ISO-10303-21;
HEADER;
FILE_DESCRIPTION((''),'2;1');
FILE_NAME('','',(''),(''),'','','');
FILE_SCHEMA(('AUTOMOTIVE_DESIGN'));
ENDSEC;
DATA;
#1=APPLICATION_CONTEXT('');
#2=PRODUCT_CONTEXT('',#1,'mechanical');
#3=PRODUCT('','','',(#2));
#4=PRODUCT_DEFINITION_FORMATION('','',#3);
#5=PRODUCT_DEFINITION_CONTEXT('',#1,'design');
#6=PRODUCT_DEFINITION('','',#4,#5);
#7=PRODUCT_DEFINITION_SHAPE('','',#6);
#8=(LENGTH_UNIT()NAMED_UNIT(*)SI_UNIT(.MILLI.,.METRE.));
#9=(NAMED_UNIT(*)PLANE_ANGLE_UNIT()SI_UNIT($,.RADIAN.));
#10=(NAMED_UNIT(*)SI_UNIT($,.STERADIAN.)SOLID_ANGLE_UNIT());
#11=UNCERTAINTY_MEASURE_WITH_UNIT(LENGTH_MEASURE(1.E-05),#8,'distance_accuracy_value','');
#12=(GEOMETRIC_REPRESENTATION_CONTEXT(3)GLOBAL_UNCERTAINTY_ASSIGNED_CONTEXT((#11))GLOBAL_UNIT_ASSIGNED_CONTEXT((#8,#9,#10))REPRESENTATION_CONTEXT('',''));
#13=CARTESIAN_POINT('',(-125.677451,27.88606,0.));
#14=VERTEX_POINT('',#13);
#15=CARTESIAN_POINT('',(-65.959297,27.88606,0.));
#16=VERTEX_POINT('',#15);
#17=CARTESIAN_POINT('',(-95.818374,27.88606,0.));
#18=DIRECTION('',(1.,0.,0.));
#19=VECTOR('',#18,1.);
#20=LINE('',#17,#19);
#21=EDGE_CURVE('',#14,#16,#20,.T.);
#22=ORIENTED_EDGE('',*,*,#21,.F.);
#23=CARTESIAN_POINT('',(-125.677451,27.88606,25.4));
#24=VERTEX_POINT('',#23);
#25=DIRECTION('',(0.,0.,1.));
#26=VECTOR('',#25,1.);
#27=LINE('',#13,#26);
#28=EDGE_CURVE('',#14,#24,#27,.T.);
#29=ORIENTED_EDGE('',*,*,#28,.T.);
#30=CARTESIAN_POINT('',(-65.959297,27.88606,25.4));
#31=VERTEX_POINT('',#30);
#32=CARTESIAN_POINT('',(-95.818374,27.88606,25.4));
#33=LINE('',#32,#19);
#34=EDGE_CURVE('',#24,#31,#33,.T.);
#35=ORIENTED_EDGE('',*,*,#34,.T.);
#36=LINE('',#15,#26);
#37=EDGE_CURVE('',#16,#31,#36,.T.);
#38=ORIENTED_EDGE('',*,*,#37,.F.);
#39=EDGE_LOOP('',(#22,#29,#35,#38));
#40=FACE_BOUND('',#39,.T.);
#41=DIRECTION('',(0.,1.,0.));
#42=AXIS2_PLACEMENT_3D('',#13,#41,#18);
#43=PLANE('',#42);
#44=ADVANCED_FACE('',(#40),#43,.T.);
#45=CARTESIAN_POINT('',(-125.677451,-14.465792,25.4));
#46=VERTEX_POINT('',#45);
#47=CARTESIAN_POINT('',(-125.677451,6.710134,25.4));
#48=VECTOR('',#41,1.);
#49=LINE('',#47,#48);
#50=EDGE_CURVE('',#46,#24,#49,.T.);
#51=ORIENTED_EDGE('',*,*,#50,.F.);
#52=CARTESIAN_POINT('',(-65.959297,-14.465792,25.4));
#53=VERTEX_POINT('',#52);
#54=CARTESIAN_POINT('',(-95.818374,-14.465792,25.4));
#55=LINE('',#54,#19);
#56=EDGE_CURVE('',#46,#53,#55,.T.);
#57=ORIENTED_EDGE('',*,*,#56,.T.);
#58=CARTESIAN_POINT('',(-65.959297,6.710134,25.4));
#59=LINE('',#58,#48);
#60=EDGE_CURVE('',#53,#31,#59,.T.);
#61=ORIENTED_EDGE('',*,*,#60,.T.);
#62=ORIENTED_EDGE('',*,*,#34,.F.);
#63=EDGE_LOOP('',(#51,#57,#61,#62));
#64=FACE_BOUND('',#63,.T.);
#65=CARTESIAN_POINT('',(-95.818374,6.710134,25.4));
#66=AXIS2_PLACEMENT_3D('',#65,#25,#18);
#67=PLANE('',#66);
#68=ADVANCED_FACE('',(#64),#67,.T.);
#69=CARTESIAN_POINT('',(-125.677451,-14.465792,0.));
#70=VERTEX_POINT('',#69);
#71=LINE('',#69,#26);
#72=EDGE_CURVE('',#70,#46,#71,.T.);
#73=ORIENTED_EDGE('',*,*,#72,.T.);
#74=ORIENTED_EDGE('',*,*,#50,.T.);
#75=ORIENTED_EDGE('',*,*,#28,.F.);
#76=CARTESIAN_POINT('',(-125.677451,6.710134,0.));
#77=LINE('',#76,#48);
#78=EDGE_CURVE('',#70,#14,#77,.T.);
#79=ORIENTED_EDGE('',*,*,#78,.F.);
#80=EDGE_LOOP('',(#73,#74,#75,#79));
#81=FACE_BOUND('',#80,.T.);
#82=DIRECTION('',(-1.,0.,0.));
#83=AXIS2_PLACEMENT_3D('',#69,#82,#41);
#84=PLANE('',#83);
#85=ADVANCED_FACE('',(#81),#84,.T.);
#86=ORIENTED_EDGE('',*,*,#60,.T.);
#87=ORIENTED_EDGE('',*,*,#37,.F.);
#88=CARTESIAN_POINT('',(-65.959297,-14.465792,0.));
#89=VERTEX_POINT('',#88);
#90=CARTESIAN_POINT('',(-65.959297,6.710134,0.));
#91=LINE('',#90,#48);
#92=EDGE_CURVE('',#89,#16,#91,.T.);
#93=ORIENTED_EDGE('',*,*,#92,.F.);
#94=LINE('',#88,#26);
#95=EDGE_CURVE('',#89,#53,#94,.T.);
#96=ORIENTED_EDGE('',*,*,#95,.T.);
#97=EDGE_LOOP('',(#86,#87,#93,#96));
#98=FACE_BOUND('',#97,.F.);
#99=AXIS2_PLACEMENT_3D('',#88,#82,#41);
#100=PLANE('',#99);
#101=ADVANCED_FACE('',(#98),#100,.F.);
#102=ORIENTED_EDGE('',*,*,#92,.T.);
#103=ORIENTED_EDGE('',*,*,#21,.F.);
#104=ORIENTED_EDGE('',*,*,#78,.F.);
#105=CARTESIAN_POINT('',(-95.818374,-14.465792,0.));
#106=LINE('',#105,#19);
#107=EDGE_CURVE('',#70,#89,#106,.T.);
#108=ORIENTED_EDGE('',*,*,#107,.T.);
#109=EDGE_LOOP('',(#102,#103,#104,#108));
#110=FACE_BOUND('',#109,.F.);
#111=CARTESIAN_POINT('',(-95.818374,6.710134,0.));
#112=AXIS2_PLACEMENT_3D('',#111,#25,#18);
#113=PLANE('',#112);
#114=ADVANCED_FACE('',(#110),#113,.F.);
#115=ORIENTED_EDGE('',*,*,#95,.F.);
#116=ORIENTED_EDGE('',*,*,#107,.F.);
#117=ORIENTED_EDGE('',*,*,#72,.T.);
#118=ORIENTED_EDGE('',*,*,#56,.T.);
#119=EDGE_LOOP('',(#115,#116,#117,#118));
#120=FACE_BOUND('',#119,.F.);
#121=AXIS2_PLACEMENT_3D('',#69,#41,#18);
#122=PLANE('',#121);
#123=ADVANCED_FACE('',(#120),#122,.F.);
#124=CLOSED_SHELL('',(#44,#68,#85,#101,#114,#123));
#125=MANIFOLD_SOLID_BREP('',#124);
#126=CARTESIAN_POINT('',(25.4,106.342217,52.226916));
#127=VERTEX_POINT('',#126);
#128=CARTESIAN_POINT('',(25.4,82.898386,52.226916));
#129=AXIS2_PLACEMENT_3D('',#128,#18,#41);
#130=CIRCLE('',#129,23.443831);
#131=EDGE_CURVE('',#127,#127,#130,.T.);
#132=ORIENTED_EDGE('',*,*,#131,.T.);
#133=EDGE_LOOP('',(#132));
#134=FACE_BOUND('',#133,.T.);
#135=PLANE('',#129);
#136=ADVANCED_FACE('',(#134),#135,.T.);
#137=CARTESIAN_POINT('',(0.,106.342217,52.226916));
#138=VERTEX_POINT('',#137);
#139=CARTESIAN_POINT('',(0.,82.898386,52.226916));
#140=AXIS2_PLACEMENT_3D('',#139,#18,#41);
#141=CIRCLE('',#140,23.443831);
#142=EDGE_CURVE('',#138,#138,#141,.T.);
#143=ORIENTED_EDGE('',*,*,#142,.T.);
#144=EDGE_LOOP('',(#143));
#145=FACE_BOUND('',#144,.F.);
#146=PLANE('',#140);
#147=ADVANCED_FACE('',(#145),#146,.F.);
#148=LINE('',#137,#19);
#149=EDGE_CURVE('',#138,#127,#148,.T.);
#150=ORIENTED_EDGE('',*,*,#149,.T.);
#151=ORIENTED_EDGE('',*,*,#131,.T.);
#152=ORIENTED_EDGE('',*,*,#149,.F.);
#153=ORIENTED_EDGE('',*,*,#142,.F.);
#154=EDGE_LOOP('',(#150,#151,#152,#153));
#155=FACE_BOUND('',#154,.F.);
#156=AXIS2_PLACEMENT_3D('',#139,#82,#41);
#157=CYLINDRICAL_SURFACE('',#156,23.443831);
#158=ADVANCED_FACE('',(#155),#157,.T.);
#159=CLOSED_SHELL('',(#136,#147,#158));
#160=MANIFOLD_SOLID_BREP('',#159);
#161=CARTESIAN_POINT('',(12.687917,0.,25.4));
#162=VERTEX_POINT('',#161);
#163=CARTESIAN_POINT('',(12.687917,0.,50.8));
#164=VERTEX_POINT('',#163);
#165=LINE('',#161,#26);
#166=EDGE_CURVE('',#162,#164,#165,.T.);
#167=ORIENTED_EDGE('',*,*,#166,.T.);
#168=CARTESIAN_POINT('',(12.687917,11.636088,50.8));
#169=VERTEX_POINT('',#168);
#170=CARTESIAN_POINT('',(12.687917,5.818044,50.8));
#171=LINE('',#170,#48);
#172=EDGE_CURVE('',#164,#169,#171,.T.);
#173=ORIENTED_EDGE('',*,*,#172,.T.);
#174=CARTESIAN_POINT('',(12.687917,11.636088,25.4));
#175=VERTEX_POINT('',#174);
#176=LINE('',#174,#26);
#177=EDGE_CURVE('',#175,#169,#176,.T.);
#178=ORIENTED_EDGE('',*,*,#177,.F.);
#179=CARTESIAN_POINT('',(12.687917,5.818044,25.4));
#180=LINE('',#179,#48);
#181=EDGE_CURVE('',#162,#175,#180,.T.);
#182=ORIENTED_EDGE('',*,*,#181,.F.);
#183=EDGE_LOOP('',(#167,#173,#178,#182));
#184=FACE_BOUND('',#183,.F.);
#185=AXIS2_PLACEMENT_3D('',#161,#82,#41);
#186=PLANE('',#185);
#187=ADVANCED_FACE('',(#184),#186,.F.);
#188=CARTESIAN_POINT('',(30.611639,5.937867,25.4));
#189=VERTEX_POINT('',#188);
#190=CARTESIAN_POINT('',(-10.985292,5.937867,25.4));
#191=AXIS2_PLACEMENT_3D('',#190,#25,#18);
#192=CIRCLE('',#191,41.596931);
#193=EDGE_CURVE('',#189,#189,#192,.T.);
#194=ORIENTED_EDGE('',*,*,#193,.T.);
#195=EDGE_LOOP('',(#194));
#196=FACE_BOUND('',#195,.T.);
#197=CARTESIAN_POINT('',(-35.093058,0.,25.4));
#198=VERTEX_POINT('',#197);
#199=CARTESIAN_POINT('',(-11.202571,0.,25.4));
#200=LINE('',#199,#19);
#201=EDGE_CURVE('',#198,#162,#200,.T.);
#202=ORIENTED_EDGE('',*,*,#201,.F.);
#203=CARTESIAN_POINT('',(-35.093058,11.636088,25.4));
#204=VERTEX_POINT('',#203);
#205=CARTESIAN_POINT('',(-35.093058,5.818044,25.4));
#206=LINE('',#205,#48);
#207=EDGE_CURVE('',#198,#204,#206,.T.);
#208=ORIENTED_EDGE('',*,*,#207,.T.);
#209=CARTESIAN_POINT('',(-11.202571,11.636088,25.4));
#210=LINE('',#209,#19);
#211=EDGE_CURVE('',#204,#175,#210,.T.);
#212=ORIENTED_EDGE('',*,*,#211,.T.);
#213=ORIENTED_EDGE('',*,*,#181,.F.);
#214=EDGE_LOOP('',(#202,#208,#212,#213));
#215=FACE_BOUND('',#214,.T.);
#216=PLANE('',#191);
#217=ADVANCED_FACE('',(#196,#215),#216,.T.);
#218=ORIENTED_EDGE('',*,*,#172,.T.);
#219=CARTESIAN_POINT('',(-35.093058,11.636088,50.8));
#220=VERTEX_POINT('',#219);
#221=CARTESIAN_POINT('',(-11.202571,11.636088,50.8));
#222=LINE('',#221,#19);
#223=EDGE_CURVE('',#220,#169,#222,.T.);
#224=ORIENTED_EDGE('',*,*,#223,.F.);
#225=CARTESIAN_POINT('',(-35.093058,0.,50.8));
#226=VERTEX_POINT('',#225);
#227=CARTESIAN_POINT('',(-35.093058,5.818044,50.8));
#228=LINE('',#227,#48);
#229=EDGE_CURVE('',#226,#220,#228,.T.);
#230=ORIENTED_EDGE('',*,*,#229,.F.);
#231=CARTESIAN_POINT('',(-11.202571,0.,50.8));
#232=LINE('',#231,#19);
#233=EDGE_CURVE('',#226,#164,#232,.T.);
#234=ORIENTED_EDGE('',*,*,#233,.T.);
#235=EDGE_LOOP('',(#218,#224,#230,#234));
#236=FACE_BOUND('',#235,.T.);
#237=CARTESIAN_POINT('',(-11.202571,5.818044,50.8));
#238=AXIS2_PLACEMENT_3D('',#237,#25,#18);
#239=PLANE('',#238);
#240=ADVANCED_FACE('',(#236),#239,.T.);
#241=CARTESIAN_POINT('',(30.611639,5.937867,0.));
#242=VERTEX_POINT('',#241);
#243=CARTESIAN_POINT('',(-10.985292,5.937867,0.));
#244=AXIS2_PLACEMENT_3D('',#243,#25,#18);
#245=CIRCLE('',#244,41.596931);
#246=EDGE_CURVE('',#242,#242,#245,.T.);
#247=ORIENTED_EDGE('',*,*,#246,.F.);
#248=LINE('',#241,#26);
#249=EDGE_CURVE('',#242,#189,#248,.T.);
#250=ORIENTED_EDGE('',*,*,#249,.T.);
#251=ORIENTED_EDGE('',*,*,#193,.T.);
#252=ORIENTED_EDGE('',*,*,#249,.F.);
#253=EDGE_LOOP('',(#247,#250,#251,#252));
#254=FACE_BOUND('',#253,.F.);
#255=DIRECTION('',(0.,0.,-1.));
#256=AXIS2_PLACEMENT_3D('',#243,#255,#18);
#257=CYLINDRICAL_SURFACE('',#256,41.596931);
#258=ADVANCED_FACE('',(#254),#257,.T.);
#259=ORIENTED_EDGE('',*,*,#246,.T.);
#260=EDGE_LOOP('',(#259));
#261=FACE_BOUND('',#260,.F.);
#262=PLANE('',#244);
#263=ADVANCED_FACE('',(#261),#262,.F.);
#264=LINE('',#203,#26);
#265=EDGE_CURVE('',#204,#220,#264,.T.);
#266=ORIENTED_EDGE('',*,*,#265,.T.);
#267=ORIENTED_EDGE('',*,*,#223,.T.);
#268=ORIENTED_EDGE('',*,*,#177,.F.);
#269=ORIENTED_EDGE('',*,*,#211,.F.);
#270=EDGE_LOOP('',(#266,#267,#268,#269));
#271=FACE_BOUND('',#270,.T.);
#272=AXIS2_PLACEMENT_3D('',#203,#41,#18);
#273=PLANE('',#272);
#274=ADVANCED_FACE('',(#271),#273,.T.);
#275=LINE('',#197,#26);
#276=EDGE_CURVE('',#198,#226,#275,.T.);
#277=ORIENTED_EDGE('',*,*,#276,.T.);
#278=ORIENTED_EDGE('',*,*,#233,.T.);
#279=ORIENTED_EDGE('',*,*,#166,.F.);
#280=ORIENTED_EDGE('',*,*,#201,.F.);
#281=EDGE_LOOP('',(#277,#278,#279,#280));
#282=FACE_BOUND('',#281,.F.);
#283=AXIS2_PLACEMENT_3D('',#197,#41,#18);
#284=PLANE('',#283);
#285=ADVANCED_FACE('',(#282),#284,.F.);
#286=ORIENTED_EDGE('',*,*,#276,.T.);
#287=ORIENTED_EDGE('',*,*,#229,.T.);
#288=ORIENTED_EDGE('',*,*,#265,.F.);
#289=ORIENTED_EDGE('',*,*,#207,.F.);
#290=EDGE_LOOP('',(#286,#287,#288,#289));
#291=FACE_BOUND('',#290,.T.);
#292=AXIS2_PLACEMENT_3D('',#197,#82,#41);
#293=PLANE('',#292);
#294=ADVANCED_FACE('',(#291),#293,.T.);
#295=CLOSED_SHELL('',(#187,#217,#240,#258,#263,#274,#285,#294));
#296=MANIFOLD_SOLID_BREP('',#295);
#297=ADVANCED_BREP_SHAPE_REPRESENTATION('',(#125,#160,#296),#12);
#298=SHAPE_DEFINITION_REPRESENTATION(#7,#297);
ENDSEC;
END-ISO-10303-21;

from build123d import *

# Parameters (mm, degrees)
F0_R     = 41.596931
F0_W     = 59.718154
F0_H     = 42.351853
F1_DEPTH = 25.4
F2_R     = 23.443831
F3_DEPTH = 25.4
F4_W     = 47.780975
F4_H     = 11.636088
F5_DEPTH = 25.4


with BuildPart() as f1:
    # F0 (on Top) → F1 (new body)
    with BuildSketch(Plane.XY):
        with Locations((-10.985292, 5.937867)):
            Circle(F0_R)
        with Locations((-95.818374, 6.710134)):
            Rectangle(F0_W, F0_H)
    extrude(amount=F1_DEPTH)

    # F4 (on face) → F5 (join)
    with BuildSketch(Plane.XY.offset(25.4)):
        with Locations((-11.202571, 5.818044)):
            Rectangle(F4_W, F4_H)
    extrude(amount=F5_DEPTH)


with BuildPart() as f3:
    # F2 (on Right) → F3 (new body)
    with BuildSketch(Plane.YZ):
        with Locations((82.898386, 52.226916)):
            Circle(F2_R)
    extrude(amount=F3_DEPTH)


solid = Compound([f1.part, f3.part])
